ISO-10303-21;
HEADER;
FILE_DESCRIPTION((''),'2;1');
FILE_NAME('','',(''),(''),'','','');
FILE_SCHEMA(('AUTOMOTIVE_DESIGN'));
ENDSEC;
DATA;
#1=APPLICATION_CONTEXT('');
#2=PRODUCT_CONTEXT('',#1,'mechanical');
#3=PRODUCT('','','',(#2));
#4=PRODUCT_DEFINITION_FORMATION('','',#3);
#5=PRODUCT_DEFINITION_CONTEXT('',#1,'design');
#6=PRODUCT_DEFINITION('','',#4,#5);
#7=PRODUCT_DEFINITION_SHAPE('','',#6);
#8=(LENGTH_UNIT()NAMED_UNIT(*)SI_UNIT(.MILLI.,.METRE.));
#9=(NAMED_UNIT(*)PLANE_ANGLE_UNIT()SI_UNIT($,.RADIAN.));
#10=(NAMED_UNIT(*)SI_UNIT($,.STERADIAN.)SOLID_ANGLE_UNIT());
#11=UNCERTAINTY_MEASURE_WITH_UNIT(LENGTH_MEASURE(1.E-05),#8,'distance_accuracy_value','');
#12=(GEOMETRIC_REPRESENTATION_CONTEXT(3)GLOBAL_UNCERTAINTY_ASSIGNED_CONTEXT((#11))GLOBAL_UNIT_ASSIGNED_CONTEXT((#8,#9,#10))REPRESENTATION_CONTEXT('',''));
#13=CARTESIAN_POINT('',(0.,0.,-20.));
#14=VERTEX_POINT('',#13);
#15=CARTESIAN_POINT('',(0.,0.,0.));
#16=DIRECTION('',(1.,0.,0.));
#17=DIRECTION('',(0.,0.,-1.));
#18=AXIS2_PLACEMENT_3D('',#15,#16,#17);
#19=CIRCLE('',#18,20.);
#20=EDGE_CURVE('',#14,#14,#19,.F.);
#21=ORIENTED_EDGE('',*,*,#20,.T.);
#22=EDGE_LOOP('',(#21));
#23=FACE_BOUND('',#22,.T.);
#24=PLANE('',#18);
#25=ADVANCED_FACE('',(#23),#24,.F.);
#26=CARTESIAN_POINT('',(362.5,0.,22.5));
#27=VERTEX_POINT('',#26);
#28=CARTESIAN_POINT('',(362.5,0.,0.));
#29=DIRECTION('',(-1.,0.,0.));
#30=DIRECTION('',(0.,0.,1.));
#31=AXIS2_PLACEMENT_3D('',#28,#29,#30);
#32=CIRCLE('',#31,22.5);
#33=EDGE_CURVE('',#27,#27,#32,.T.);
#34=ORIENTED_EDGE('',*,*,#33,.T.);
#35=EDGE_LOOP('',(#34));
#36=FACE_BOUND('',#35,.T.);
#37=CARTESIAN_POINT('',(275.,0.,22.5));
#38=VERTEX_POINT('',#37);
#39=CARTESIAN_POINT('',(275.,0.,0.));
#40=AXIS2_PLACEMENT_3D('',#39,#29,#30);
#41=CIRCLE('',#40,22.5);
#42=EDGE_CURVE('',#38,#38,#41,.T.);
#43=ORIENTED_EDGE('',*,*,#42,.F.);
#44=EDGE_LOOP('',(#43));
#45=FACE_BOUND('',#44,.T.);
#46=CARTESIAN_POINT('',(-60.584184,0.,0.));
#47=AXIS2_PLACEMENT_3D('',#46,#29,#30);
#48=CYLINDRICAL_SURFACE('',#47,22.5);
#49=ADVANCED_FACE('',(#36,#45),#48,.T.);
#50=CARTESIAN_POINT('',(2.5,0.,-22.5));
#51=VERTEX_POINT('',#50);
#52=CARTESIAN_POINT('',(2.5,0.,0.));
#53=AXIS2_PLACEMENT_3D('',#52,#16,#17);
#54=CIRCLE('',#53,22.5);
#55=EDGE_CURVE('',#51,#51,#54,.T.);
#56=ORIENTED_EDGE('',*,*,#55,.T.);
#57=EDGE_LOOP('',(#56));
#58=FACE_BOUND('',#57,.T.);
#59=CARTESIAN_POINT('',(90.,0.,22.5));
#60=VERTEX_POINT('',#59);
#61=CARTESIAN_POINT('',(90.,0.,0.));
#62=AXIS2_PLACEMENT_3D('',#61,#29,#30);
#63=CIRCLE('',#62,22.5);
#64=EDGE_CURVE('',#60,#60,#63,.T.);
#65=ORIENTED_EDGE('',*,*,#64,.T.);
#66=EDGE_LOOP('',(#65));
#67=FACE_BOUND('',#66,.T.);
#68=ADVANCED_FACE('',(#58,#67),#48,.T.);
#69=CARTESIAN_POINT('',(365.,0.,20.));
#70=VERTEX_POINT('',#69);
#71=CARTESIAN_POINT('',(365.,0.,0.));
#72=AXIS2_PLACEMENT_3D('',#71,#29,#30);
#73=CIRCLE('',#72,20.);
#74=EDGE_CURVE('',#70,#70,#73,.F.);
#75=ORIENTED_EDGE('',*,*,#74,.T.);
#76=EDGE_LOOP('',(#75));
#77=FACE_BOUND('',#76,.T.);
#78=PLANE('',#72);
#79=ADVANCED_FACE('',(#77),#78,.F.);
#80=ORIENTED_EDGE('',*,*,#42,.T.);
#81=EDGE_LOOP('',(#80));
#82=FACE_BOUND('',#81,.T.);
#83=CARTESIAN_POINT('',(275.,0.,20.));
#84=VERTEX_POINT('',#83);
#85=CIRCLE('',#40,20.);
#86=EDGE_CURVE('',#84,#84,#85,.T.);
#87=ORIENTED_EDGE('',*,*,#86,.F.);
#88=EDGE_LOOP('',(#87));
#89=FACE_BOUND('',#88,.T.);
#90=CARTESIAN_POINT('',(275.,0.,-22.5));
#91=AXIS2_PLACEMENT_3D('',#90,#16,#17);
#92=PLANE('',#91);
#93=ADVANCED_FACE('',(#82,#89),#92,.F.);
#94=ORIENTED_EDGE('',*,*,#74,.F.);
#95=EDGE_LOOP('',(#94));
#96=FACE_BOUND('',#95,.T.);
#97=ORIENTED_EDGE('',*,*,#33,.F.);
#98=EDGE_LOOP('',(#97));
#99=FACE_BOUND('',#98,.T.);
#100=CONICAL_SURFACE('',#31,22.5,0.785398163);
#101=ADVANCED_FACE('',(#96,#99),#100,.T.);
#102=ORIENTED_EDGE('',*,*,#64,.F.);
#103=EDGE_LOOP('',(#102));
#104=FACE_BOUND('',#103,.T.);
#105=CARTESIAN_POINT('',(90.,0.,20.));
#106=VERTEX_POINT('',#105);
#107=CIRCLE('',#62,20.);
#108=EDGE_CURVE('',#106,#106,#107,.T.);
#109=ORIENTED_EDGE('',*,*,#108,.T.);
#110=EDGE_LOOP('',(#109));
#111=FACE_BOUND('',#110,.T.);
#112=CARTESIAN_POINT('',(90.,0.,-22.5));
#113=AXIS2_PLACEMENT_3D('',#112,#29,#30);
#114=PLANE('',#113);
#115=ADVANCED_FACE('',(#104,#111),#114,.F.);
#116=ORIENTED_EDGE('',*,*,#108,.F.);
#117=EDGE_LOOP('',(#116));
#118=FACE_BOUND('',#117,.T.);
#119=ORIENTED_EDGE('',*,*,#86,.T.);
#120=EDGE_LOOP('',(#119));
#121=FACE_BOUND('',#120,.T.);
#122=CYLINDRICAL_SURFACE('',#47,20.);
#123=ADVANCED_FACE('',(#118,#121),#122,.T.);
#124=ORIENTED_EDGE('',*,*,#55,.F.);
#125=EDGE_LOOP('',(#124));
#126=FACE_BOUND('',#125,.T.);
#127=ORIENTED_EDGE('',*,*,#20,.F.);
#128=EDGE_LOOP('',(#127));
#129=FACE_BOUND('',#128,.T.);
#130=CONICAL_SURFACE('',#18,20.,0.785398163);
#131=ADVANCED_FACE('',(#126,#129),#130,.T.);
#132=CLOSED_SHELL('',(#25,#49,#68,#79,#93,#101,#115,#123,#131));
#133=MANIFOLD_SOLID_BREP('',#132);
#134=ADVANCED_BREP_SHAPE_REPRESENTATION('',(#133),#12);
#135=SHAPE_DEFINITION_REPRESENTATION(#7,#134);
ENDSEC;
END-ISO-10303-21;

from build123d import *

# Parameters (mm, degrees)
CHAMFER1_SIZE = 2.5


with BuildPart() as part:
    # Sketch1 → Revolve1 (revolve)
    with BuildSketch(Plane(origin=(0, 0, 0), x_dir=(1, 0, 0), z_dir=(0, 1, 0)), mode=Mode.PRIVATE) as revolve1_sk:
        Polygon((365, 0), (365, 22.5), (275, 22.5), (275, 20), (90, 20), (90, 22.5), (0, 22.5), (0, 0), align=None)
    revolve(revolve1_sk.sketch.rotate(Axis((-60.584183673, 0, 0), (1, 0, 0)), 180), axis=Axis((-60.584183673, 0, 0), (1, 0, 0)))

    # Chamfer1
    chamfer1_edges = [part.edges().sort_by_distance(p)[0] for p in [
        (0, 0, -22.5),
        (365, 0, -22.5),
    ]]
    chamfer(chamfer1_edges, length=CHAMFER1_SIZE)


solid = part.part
